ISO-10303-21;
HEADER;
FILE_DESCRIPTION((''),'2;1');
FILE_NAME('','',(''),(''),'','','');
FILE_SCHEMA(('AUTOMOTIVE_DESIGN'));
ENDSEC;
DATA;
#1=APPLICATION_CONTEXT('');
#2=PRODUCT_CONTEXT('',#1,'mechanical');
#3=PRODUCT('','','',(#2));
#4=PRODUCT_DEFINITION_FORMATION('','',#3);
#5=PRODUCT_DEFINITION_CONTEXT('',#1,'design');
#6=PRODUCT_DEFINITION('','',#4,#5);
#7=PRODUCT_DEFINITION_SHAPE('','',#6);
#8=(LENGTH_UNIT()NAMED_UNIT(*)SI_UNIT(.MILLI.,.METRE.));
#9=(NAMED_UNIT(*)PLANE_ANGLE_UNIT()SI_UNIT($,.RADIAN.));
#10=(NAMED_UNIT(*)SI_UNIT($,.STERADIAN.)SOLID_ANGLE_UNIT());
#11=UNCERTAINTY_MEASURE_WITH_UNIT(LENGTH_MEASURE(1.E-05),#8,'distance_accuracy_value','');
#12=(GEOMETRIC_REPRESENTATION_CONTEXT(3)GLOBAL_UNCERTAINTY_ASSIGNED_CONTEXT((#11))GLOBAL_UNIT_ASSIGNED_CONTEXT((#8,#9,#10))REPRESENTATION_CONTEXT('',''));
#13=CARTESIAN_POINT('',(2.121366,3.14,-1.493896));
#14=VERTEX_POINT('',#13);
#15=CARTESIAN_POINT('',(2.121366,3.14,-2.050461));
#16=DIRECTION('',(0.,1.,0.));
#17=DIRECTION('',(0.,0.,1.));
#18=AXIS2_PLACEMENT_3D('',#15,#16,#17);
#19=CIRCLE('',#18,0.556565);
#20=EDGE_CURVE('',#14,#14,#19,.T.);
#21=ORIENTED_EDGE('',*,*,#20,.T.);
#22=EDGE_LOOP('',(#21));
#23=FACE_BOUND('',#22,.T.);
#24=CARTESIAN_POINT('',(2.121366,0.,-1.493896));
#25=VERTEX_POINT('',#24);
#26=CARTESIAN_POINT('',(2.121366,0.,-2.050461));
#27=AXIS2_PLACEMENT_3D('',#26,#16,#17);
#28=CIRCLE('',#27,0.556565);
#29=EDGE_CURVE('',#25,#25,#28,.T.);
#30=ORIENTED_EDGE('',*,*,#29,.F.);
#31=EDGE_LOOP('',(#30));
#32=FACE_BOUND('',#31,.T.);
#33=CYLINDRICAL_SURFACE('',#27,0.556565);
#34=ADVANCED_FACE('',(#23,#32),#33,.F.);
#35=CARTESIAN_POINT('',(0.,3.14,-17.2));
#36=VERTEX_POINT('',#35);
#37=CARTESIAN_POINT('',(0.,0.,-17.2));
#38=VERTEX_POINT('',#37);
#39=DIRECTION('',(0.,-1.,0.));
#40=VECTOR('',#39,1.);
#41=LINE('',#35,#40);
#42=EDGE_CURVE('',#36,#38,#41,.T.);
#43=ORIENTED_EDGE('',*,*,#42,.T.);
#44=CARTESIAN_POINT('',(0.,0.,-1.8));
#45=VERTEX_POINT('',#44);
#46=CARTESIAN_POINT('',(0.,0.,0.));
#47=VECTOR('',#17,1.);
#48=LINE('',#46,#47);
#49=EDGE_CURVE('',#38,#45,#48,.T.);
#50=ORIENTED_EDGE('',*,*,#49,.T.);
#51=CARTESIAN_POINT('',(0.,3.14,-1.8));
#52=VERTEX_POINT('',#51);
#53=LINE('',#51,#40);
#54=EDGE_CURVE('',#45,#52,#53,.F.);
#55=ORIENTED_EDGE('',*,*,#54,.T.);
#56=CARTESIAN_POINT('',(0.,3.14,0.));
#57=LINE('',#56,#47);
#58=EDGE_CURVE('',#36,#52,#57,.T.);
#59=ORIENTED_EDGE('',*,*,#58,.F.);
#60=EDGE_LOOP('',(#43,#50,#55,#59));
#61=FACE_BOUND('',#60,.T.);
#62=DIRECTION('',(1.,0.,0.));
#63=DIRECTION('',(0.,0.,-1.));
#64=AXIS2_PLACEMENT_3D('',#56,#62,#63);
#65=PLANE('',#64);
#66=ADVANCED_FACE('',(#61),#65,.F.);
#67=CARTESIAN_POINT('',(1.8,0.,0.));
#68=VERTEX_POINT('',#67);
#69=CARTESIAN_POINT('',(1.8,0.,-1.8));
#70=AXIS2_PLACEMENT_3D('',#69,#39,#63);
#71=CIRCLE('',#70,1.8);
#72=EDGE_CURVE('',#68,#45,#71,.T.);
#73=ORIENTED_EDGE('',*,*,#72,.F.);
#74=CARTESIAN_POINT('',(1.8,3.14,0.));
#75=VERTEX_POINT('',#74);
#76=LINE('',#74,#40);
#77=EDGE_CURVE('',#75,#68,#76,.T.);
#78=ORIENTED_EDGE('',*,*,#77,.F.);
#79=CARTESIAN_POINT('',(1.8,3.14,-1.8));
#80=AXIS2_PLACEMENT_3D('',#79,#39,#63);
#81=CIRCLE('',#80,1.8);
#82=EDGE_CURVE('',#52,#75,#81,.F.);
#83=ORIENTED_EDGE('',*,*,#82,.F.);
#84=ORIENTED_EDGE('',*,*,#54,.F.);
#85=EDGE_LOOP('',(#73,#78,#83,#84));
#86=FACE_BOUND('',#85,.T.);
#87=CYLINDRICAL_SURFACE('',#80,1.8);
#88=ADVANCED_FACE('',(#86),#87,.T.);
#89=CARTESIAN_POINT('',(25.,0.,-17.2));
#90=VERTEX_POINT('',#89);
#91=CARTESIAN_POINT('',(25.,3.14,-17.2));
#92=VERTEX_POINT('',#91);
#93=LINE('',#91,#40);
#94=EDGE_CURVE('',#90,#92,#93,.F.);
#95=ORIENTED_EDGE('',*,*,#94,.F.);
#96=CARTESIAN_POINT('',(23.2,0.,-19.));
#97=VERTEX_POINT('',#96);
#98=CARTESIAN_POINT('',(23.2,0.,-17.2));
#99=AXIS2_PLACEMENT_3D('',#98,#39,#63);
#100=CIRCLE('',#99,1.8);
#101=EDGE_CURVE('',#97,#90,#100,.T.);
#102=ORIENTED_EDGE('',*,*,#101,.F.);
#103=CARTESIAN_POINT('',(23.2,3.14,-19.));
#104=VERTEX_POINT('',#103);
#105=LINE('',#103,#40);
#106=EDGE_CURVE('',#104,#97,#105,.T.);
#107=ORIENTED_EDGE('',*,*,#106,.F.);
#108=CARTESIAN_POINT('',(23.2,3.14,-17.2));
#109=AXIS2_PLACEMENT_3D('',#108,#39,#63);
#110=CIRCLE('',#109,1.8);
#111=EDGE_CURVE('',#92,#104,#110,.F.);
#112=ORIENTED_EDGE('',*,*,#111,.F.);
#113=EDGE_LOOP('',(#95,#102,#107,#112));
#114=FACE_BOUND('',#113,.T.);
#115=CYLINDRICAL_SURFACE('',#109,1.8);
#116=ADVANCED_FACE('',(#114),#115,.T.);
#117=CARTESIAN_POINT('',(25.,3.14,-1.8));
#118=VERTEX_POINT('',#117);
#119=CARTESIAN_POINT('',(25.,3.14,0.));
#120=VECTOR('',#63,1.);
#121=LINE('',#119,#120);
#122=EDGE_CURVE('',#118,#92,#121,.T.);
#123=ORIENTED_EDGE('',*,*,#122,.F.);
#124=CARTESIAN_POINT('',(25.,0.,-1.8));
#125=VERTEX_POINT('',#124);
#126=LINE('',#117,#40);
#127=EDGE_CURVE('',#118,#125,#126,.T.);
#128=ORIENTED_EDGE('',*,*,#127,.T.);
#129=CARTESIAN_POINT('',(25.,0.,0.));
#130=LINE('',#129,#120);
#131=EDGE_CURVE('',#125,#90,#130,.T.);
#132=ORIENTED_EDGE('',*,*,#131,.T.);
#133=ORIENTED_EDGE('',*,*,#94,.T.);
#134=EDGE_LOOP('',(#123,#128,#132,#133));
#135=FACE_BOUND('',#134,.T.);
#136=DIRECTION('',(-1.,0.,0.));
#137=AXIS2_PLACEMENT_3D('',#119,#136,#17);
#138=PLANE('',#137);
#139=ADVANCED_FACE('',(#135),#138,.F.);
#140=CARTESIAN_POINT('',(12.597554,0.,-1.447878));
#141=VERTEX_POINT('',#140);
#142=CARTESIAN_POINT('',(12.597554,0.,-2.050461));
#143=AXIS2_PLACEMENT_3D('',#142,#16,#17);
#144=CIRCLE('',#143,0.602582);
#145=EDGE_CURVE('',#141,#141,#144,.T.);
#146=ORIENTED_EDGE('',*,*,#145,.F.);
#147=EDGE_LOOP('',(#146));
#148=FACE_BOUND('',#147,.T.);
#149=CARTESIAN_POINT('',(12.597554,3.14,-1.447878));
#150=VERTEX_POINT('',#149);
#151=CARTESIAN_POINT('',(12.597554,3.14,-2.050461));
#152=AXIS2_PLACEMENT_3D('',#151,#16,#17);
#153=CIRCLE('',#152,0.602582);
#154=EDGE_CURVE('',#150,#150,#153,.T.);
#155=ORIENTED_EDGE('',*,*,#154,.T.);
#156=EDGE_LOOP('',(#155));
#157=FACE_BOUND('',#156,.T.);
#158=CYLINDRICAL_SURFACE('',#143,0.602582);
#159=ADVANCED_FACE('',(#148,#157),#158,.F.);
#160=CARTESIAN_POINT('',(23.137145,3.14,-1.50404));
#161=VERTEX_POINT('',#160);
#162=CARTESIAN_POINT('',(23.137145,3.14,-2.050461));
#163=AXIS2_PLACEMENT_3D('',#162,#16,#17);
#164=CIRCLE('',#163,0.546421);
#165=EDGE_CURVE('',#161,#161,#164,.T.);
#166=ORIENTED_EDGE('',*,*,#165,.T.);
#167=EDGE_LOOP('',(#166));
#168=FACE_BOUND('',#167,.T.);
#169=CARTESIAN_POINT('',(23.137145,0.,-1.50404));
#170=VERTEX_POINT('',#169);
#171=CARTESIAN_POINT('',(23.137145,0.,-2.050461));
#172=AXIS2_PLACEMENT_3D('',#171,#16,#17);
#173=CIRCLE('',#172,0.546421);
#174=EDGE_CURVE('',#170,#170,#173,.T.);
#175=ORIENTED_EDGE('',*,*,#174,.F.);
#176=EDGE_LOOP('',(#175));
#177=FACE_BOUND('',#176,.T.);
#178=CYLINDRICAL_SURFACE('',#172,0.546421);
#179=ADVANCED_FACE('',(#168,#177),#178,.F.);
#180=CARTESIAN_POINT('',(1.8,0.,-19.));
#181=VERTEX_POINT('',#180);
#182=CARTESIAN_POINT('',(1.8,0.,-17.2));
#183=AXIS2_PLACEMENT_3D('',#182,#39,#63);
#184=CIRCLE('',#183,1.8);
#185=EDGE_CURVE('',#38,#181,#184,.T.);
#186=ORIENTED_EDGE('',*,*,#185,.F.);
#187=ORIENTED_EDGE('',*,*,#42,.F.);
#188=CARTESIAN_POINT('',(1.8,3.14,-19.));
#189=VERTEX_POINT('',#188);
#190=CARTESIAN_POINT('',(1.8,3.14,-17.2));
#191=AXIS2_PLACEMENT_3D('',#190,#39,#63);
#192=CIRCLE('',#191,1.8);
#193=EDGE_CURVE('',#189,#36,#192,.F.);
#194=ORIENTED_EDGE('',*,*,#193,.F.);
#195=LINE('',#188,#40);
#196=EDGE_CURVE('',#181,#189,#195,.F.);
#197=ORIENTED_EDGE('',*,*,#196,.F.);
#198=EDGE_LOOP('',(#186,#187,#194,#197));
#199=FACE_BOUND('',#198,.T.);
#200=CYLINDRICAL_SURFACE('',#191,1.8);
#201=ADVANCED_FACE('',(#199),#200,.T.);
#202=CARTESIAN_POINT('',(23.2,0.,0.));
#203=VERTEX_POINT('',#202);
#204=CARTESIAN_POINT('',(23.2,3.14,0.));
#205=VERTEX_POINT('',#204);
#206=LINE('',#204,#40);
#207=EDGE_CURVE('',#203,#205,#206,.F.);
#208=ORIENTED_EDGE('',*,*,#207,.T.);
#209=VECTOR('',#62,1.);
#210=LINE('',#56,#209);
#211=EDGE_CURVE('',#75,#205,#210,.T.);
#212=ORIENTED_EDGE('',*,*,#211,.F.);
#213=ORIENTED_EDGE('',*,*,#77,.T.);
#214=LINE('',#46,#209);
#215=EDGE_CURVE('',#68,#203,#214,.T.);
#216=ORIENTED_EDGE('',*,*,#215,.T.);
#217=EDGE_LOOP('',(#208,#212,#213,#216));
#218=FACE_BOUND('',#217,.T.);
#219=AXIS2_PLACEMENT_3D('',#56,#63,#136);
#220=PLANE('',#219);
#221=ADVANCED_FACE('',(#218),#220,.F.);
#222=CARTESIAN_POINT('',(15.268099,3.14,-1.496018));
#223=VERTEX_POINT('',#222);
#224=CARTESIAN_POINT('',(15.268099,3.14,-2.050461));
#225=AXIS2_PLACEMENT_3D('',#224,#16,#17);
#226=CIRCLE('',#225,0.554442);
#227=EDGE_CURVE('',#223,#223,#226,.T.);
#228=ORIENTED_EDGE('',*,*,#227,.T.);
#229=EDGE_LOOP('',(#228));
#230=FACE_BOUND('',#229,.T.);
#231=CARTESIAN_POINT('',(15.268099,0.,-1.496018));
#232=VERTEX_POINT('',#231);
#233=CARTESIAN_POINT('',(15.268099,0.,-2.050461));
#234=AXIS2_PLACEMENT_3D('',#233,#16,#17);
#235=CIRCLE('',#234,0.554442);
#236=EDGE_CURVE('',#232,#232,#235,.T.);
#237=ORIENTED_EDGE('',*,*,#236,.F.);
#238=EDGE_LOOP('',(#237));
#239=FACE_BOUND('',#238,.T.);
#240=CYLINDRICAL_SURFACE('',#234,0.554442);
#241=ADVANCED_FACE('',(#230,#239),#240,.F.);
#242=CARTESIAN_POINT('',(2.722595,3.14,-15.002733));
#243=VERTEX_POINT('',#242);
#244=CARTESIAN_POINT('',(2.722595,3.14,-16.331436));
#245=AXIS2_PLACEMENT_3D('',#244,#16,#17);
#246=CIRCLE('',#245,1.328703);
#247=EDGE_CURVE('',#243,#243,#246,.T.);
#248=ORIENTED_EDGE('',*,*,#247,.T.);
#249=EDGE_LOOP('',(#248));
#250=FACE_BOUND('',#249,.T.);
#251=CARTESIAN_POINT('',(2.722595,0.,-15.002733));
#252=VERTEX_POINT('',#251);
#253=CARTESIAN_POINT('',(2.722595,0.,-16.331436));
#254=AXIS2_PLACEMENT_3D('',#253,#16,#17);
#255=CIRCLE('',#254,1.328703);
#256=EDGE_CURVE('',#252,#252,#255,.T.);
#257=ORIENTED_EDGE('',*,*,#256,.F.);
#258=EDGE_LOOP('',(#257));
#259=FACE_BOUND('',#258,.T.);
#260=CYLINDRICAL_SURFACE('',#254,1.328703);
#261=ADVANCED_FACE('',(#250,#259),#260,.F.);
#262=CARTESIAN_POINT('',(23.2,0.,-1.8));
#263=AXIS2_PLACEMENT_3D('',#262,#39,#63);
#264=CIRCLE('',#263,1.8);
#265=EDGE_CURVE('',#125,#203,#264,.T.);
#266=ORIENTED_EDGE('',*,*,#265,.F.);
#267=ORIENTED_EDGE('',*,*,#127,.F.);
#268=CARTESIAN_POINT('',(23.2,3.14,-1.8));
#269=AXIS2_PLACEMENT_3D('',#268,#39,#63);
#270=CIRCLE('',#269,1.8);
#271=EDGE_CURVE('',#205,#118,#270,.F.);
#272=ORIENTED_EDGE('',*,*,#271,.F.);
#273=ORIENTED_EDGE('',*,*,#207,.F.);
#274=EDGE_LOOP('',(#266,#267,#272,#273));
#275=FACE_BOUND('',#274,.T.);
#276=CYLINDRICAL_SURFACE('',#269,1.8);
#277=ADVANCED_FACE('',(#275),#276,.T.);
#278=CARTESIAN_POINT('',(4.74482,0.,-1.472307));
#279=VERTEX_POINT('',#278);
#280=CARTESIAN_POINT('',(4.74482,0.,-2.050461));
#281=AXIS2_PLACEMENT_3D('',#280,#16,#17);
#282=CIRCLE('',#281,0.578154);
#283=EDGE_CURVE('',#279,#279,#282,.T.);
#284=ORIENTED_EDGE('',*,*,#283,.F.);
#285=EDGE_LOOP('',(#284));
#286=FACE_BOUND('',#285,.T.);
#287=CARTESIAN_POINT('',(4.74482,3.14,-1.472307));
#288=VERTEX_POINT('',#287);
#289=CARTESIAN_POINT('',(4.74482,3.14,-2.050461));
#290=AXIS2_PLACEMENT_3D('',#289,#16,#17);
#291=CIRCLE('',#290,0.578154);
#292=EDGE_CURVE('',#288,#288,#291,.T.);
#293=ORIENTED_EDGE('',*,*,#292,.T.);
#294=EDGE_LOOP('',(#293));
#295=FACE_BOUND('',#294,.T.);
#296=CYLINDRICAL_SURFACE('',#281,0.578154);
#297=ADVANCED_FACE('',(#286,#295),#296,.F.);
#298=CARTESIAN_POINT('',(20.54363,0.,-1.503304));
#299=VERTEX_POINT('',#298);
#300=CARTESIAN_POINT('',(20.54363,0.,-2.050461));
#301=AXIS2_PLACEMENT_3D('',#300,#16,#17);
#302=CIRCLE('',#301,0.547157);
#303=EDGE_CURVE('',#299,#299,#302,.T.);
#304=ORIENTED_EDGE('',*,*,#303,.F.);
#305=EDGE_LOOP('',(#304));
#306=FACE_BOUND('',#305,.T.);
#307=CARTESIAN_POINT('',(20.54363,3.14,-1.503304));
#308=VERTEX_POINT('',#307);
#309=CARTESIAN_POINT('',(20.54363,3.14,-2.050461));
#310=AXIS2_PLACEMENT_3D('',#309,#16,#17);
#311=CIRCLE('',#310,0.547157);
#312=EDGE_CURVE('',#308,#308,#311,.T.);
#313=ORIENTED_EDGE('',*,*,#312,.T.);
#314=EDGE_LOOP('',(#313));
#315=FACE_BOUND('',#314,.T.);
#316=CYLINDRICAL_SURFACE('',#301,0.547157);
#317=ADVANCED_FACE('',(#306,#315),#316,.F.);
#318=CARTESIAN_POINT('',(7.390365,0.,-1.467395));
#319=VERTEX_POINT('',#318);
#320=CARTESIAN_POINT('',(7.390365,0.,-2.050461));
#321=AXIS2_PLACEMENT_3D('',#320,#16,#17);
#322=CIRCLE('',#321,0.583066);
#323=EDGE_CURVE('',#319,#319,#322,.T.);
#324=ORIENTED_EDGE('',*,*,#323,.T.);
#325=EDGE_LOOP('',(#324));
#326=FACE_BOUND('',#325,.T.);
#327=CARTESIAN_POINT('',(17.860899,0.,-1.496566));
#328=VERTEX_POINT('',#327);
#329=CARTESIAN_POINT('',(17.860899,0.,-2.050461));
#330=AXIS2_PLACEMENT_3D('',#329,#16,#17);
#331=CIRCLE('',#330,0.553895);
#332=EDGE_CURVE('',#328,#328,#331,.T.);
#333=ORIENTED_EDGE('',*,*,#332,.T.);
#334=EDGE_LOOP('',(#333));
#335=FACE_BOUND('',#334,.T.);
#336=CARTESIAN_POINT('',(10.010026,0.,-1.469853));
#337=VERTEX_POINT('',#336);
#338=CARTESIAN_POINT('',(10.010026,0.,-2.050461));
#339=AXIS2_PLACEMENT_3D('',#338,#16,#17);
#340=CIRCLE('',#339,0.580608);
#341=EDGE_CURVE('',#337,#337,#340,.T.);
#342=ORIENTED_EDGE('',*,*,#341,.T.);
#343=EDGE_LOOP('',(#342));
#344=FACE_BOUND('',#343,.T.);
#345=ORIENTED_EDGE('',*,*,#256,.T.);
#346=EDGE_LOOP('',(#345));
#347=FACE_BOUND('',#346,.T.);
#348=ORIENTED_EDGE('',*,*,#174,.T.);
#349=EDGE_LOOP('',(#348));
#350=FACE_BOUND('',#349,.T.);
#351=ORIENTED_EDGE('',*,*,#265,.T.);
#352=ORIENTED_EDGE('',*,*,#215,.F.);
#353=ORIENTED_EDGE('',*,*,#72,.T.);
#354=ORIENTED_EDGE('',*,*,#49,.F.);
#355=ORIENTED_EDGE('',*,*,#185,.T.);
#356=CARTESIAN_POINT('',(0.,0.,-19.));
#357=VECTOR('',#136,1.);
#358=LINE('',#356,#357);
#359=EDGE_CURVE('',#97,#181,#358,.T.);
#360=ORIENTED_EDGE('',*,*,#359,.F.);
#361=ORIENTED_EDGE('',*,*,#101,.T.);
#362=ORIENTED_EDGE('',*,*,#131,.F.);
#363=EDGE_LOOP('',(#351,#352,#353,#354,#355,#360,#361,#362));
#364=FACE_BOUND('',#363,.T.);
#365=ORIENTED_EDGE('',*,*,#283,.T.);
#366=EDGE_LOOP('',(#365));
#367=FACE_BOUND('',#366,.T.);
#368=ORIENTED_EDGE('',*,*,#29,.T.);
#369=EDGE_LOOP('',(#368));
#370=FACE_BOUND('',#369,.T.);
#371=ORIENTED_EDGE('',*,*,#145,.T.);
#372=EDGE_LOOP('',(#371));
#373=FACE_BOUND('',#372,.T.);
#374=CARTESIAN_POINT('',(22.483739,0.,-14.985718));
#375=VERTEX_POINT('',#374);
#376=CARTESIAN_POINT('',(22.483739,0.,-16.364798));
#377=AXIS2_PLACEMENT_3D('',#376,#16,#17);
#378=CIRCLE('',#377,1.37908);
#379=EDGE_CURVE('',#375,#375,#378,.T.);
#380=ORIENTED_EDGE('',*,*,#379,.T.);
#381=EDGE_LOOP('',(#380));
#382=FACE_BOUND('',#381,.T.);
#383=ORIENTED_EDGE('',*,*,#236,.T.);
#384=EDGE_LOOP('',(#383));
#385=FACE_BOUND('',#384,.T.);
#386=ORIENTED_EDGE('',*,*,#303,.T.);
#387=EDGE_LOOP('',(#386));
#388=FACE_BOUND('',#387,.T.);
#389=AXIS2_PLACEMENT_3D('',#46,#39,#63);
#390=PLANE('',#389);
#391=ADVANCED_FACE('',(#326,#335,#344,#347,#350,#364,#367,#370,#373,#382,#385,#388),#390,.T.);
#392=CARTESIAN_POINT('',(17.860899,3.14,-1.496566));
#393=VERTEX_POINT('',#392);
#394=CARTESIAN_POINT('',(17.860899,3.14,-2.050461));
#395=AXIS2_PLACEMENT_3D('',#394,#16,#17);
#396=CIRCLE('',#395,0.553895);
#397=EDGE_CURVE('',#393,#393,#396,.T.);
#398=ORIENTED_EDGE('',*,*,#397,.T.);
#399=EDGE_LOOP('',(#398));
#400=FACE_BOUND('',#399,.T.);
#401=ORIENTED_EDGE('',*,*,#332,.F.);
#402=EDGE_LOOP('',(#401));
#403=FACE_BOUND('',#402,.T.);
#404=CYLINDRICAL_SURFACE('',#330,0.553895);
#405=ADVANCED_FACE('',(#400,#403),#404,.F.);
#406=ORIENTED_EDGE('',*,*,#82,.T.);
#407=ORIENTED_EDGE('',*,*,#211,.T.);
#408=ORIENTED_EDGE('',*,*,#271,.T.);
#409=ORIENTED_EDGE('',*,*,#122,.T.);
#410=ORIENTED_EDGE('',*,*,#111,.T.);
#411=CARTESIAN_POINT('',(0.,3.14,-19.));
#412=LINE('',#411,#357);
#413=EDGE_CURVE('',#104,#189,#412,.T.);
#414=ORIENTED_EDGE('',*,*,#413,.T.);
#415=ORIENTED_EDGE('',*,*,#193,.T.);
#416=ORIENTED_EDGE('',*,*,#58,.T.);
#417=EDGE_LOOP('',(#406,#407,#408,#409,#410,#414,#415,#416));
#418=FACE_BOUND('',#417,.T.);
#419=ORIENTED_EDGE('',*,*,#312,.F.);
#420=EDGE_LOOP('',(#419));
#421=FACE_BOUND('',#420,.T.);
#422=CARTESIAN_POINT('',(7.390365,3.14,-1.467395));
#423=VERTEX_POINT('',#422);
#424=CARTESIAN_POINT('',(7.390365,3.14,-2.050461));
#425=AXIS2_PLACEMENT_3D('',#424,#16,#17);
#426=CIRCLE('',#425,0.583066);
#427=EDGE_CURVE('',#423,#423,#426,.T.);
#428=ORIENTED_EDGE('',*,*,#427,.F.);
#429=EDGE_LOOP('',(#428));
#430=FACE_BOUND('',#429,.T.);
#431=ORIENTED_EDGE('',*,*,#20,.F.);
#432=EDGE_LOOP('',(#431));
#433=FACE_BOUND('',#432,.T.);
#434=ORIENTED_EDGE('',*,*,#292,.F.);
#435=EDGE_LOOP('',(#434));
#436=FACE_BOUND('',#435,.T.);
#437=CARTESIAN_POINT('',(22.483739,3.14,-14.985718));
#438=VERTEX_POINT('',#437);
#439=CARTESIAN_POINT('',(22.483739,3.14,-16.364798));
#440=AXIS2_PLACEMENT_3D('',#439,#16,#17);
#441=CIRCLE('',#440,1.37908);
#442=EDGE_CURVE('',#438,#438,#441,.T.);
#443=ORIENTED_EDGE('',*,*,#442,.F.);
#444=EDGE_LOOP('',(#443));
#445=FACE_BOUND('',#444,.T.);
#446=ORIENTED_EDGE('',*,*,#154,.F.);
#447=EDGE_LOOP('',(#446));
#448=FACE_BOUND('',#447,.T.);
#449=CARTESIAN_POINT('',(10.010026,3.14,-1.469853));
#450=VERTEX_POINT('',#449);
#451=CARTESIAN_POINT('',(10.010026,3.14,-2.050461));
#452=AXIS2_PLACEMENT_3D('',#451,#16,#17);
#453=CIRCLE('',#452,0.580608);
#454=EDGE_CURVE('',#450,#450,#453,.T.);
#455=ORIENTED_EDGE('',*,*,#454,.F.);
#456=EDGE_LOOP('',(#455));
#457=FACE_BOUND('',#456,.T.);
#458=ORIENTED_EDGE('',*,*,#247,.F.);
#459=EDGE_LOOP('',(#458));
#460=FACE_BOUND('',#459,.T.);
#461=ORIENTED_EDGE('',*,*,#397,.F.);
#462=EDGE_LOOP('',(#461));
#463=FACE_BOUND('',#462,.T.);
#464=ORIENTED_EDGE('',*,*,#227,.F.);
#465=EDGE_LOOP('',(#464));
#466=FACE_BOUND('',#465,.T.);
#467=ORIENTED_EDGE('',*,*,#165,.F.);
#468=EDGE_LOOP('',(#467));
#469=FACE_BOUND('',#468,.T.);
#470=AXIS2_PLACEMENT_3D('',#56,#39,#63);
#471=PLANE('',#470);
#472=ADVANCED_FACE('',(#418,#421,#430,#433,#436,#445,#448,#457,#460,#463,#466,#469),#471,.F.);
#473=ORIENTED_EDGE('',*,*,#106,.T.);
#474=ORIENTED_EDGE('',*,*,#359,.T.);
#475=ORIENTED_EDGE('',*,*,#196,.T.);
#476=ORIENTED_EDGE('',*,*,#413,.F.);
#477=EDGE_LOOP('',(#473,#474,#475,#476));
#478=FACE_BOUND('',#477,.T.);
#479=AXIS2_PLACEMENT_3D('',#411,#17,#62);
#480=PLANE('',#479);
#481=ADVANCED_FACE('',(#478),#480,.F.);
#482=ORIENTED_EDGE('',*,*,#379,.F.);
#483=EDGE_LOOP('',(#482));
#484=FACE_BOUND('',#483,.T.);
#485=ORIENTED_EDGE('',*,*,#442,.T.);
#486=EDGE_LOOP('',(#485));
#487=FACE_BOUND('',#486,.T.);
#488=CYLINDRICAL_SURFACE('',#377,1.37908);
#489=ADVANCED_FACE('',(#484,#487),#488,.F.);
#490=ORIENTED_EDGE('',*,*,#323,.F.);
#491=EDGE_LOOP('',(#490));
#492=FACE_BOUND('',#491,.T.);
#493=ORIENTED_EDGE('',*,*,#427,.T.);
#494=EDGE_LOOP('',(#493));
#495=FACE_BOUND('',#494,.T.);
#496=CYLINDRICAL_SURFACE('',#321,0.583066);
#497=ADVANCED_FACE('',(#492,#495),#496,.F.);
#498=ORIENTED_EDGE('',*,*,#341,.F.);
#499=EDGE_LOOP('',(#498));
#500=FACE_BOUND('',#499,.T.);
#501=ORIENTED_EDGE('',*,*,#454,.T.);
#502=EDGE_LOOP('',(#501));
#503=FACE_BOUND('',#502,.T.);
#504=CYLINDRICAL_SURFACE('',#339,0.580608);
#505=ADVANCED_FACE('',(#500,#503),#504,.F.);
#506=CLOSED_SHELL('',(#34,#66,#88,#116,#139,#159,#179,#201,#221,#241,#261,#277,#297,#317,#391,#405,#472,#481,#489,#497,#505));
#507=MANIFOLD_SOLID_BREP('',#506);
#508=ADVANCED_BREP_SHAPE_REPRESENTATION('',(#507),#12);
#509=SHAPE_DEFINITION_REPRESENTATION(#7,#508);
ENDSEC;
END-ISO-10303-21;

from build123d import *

# Parameters (mm, degrees)
SKETCH1_W           = 25
SKETCH1_H           = 19
BOSS_EXTRUDE1_DEPTH = 3.14
SKETCH2_R           = 1.328703157
CUT_EXTRUDE1_DEPTH  = 32.557243226
SKETCH3_R           = 1.379079597
CUT_EXTRUDE2_DEPTH  = 32.557243226
SKETCH4_R           = 0.546420727
SKETCH4_R_2         = 0.547156774
SKETCH4_R_3         = 0.553895188
SKETCH4_R_4         = 0.554442322
SKETCH4_R_5         = 0.60258245
SKETCH4_R_6         = 0.580608074
SKETCH4_R_7         = 0.583065552
SKETCH4_R_8         = 0.578153998
SKETCH4_R_9         = 0.55656492
CUT_EXTRUDE3_DEPTH  = 32.557243226
FILLET1_R           = 1.8


with BuildPart() as part:
    # Sketch1 → Boss-Extrude1 (new body)
    with BuildSketch(Plane(origin=(0, 0, 0), x_dir=(1, 0, 0), z_dir=(0, 1, 0))):
        with Locations((12.5, 9.5)):
            Rectangle(SKETCH1_W, SKETCH1_H)
    extrude(amount=BOSS_EXTRUDE1_DEPTH)

    # Sketch2 → Cut-Extrude1 (cut, through all)
    with BuildSketch(Plane(origin=(0, 3.14, 0), x_dir=(1, 0, 0), z_dir=(0, 1, 0))):
        with Locations(Location((2.722594634, 16.331436322, 0), (0, 0, 270))):
            Circle(SKETCH2_R)
    extrude(amount=-CUT_EXTRUDE1_DEPTH, mode=Mode.SUBTRACT)

    # Sketch3 → Cut-Extrude2 (cut, through all)
    with BuildSketch(Plane(origin=(0, 3.14, 0), x_dir=(1, 0, 0), z_dir=(0, 1, 0))):
        with Locations(Location((22.483739106, 16.364797794, 0), (0, 0, 270))):
            Circle(SKETCH3_R)
    extrude(amount=-CUT_EXTRUDE2_DEPTH, mode=Mode.SUBTRACT)

    # Sketch4 → Cut-Extrude3 (cut, through all)
    with BuildSketch(Plane(origin=(0, 3.14, 0), x_dir=(1, 0, 0), z_dir=(0, 1, 0))):
        with Locations(Location((23.137145161, 2.05046074, 0), (0, 0, 270))):
            Circle(SKETCH4_R)
        with Locations(Location((20.543630063, 2.05046074, 0), (0, 0, 270))):
            Circle(SKETCH4_R_2)
        with Locations(Location((17.860899334, 2.05046074, 0), (0, 0, 270))):
            Circle(SKETCH4_R_3)
        with Locations(Location((15.268099294, 2.05046074, 0), (0, 0, 270))):
            Circle(SKETCH4_R_4)
        with Locations(Location((12.597553851, 2.05046074, 0), (0, 0, 270))):
            Circle(SKETCH4_R_5)
        with Locations(Location((10.010026119, 2.05046074, 0), (0, 0, 270))):
            Circle(SKETCH4_R_6)
        with Locations(Location((7.390364783, 2.05046074, 0), (0, 0, 270))):
            Circle(SKETCH4_R_7)
        with Locations(Location((4.744820308, 2.05046074, 0), (0, 0, 270))):
            Circle(SKETCH4_R_8)
        with Locations(Location((2.121365988, 2.05046074, 0), (0, 0, 270))):
            Circle(SKETCH4_R_9)
    extrude(amount=-CUT_EXTRUDE3_DEPTH, mode=Mode.SUBTRACT)

    # Fillet1
    fillet1_edges = [part.edges().sort_by_distance(p)[0] for p in [
        (0, 1.57, -19),
        (25, 1.57, -19),
        (25, 1.57, 0),
        (0, 1.57, 0),
    ]]
    fillet(fillet1_edges, radius=FILLET1_R)


solid = part.part
